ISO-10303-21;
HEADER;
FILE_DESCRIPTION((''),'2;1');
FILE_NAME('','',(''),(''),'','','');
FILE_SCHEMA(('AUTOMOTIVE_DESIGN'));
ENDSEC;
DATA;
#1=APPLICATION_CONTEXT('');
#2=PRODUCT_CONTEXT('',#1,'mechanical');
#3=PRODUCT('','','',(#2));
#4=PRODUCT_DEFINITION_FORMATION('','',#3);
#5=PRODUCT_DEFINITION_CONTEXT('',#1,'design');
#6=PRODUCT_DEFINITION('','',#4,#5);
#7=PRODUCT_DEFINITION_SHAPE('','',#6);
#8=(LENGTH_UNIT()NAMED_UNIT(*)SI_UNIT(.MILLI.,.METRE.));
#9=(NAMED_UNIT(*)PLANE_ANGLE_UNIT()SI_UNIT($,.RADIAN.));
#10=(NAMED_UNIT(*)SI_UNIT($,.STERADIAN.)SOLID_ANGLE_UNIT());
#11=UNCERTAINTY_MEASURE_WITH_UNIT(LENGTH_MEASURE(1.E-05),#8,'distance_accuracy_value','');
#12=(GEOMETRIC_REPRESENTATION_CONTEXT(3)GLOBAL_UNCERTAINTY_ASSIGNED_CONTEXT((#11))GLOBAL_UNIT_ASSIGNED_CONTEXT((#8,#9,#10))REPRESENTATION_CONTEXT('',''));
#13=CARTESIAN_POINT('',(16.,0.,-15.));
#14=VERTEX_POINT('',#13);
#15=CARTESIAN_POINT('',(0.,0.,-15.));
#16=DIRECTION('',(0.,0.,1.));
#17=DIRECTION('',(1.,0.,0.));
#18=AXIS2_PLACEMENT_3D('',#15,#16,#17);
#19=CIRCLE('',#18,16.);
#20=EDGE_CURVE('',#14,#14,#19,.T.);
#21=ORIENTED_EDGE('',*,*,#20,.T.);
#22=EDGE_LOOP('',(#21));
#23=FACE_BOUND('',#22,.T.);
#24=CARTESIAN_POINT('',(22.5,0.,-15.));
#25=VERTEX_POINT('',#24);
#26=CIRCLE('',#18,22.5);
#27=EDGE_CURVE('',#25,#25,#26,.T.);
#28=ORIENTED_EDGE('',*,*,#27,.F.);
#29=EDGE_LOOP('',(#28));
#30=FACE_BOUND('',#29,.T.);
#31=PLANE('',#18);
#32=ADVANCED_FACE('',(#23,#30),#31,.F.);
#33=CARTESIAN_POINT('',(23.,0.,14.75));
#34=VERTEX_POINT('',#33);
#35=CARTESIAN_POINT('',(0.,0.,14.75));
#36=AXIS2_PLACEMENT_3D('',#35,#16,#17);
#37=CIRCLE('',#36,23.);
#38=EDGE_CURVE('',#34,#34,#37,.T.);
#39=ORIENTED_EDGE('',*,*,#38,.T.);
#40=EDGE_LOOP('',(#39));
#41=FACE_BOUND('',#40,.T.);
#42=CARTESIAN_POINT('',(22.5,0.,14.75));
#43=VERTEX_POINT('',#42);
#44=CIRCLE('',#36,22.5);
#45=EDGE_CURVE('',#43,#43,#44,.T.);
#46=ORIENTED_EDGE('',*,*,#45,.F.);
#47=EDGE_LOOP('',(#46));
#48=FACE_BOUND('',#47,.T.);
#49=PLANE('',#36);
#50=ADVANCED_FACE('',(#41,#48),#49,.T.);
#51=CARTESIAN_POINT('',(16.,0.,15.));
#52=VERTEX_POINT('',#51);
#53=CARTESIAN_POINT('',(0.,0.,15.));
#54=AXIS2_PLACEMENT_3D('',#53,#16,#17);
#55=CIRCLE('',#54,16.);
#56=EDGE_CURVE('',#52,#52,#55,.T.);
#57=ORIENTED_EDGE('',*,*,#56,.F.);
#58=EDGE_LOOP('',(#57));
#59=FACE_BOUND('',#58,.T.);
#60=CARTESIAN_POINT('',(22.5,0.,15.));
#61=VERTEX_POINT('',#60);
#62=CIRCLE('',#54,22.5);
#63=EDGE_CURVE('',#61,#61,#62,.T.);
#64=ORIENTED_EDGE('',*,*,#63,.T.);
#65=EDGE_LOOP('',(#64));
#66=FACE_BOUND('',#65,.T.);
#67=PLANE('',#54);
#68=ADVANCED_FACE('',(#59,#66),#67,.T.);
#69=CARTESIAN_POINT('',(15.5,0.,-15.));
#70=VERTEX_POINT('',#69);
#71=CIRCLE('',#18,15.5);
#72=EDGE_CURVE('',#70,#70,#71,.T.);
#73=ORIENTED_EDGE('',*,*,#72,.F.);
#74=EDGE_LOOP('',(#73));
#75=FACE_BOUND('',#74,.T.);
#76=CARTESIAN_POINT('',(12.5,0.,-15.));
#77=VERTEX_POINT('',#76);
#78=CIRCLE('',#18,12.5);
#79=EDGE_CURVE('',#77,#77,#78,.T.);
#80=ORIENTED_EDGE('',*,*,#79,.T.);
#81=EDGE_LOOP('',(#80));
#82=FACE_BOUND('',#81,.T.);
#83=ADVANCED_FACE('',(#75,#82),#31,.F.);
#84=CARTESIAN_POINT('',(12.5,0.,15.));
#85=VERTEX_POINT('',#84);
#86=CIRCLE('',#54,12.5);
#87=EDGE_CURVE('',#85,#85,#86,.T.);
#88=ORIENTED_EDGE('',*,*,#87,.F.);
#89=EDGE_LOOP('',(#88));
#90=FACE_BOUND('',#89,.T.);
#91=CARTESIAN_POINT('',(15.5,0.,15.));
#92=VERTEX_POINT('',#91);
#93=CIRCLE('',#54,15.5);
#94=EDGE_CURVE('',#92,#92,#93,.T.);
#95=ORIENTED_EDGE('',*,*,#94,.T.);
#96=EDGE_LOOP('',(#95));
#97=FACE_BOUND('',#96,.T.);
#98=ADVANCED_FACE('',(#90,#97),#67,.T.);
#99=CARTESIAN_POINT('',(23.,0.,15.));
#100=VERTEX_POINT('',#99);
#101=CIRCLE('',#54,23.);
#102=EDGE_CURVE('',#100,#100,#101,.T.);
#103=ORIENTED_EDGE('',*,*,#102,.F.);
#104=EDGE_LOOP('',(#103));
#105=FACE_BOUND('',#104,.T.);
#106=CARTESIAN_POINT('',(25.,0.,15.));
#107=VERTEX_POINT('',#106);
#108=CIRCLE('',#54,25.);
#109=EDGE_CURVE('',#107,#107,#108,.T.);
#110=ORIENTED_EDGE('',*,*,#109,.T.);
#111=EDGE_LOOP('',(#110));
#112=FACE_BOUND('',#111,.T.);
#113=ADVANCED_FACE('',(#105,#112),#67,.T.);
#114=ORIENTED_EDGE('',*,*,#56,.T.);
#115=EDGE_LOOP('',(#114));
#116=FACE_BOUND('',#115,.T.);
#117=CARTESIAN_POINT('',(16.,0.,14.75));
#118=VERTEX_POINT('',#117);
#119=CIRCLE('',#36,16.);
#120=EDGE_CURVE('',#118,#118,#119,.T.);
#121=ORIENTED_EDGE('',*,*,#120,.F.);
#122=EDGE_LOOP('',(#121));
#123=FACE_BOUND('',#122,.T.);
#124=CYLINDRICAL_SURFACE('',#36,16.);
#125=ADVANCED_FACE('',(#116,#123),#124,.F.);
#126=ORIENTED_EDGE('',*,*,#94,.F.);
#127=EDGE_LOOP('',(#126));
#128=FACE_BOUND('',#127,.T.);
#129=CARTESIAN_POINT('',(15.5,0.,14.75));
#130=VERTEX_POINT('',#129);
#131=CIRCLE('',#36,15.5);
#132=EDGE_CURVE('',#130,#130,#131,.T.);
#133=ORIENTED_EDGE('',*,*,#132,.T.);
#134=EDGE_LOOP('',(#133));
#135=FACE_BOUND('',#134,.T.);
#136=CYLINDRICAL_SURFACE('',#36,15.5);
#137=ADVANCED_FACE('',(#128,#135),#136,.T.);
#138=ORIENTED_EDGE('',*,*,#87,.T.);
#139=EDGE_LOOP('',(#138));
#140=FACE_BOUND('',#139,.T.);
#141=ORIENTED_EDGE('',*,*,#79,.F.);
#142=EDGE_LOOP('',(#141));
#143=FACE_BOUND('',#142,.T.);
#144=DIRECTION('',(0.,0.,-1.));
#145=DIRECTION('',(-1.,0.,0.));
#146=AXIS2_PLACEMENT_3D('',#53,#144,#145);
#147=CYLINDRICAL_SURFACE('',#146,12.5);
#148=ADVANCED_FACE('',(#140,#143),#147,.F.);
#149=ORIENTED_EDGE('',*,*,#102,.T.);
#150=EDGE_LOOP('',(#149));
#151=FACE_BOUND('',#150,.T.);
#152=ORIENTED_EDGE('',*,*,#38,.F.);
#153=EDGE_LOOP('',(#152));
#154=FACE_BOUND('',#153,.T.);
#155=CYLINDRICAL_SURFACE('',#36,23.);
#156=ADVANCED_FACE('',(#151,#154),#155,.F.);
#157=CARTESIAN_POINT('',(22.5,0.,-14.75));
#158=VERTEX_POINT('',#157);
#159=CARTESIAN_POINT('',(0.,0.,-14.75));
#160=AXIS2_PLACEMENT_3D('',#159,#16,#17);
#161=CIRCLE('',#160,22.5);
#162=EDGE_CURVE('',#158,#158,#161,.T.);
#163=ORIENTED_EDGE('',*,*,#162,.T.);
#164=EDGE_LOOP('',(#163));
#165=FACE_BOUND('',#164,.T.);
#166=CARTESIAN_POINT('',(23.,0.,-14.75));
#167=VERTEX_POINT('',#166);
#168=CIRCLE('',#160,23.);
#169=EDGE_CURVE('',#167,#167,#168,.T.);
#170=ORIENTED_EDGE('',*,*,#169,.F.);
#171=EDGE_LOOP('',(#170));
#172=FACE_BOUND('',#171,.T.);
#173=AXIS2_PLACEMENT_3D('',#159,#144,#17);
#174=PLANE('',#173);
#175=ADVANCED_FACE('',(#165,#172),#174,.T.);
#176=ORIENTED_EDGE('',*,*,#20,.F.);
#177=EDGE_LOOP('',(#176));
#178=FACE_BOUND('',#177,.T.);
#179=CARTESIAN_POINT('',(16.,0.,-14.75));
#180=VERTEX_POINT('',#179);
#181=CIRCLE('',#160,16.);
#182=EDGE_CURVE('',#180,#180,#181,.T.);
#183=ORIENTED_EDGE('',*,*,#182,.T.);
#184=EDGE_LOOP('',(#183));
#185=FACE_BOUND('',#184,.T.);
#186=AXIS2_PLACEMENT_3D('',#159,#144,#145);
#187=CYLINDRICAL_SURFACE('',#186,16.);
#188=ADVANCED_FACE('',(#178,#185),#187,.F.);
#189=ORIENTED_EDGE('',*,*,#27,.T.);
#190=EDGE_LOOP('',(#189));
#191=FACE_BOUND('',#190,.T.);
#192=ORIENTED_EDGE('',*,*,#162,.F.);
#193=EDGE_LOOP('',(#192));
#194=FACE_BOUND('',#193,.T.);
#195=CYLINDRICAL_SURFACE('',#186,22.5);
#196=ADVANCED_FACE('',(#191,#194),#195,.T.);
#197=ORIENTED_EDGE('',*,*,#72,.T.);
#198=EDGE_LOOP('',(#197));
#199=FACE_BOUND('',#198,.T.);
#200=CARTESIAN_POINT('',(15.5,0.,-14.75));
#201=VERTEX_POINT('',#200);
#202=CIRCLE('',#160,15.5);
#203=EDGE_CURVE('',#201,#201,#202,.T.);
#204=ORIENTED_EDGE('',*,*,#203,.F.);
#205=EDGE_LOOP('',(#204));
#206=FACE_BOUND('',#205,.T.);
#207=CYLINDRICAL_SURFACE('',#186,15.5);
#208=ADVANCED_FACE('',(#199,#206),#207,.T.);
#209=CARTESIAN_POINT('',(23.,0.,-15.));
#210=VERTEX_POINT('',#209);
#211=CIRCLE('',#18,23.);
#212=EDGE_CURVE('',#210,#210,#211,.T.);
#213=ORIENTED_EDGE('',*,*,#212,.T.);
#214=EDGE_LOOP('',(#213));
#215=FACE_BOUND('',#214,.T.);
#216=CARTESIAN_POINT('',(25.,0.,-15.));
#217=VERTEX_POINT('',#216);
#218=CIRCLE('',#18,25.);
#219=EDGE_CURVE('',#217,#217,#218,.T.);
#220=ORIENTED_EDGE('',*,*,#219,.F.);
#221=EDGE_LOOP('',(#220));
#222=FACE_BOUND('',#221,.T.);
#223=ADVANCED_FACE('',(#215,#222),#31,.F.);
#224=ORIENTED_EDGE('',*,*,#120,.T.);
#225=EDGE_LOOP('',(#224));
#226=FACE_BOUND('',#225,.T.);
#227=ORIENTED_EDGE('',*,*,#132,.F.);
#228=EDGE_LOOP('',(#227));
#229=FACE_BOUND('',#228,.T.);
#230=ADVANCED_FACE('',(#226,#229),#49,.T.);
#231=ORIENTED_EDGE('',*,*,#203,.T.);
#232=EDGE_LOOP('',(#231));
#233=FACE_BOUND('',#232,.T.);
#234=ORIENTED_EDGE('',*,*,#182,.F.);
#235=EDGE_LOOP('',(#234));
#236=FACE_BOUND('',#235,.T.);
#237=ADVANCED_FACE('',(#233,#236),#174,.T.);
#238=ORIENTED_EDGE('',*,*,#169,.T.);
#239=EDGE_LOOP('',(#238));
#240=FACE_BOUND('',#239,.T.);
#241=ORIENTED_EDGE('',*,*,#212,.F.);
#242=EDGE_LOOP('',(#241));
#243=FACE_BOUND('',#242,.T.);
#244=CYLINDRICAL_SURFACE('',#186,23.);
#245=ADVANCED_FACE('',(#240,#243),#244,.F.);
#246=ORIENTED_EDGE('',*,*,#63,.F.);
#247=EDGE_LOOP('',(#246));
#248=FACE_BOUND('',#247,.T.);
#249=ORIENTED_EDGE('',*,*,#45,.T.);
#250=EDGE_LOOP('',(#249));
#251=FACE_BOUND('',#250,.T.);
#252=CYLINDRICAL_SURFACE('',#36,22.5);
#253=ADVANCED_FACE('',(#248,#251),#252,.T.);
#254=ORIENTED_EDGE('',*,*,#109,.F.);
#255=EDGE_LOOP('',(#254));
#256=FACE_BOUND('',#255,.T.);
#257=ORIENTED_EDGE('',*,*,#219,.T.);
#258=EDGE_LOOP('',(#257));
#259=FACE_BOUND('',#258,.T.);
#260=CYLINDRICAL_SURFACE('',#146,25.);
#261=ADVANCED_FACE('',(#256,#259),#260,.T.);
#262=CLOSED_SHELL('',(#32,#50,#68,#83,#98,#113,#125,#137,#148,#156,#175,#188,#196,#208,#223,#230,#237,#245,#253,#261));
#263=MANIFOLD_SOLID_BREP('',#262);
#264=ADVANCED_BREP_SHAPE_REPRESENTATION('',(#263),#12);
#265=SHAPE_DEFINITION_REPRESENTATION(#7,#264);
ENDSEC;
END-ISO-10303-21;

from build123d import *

# Parameters (mm, degrees)
ESBO_O1_R                = 25
ESBO_O1_R_2              = 12.5
RESSALTO_EXTRUS_O1_DEPTH = 15
ESBO_O2_R                = 23
ESBO_O2_R_2              = 22.5
ESBO_O2_R_3              = 16
ESBO_O2_R_4              = 15.5
CORTE_EXTRUS_O1_DEPTH    = 0.25


with BuildPart() as part:
    # Esboço1 → Ressalto-extrusão1 (new, symmetric)
    with BuildSketch(Plane.XY):
        Circle(ESBO_O1_R)
        Circle(ESBO_O1_R_2, mode=Mode.SUBTRACT)
    extrude(amount=RESSALTO_EXTRUS_O1_DEPTH, both=True)

    # Esboço2 → Corte-extrusão1 (cut)
    # profile 1 of 2: a face of its own
    with BuildSketch(Plane.XY.offset(15)):
        Circle(ESBO_O2_R)
        Circle(ESBO_O2_R_2, mode=Mode.SUBTRACT)
    # profile 2 of 2: a face of its own
    with BuildSketch(Plane.XY.offset(15)):
        Circle(ESBO_O2_R_3)
        Circle(ESBO_O2_R_4, mode=Mode.SUBTRACT)
    corte_extrus_o1 = extrude(amount=-CORTE_EXTRUS_O1_DEPTH, mode=Mode.SUBTRACT)

    # Espelhar1: Corte-extrusão1 across plane
    add(corte_extrus_o1.mirror(Plane.XY), mode=Mode.SUBTRACT)


solid = part.part
